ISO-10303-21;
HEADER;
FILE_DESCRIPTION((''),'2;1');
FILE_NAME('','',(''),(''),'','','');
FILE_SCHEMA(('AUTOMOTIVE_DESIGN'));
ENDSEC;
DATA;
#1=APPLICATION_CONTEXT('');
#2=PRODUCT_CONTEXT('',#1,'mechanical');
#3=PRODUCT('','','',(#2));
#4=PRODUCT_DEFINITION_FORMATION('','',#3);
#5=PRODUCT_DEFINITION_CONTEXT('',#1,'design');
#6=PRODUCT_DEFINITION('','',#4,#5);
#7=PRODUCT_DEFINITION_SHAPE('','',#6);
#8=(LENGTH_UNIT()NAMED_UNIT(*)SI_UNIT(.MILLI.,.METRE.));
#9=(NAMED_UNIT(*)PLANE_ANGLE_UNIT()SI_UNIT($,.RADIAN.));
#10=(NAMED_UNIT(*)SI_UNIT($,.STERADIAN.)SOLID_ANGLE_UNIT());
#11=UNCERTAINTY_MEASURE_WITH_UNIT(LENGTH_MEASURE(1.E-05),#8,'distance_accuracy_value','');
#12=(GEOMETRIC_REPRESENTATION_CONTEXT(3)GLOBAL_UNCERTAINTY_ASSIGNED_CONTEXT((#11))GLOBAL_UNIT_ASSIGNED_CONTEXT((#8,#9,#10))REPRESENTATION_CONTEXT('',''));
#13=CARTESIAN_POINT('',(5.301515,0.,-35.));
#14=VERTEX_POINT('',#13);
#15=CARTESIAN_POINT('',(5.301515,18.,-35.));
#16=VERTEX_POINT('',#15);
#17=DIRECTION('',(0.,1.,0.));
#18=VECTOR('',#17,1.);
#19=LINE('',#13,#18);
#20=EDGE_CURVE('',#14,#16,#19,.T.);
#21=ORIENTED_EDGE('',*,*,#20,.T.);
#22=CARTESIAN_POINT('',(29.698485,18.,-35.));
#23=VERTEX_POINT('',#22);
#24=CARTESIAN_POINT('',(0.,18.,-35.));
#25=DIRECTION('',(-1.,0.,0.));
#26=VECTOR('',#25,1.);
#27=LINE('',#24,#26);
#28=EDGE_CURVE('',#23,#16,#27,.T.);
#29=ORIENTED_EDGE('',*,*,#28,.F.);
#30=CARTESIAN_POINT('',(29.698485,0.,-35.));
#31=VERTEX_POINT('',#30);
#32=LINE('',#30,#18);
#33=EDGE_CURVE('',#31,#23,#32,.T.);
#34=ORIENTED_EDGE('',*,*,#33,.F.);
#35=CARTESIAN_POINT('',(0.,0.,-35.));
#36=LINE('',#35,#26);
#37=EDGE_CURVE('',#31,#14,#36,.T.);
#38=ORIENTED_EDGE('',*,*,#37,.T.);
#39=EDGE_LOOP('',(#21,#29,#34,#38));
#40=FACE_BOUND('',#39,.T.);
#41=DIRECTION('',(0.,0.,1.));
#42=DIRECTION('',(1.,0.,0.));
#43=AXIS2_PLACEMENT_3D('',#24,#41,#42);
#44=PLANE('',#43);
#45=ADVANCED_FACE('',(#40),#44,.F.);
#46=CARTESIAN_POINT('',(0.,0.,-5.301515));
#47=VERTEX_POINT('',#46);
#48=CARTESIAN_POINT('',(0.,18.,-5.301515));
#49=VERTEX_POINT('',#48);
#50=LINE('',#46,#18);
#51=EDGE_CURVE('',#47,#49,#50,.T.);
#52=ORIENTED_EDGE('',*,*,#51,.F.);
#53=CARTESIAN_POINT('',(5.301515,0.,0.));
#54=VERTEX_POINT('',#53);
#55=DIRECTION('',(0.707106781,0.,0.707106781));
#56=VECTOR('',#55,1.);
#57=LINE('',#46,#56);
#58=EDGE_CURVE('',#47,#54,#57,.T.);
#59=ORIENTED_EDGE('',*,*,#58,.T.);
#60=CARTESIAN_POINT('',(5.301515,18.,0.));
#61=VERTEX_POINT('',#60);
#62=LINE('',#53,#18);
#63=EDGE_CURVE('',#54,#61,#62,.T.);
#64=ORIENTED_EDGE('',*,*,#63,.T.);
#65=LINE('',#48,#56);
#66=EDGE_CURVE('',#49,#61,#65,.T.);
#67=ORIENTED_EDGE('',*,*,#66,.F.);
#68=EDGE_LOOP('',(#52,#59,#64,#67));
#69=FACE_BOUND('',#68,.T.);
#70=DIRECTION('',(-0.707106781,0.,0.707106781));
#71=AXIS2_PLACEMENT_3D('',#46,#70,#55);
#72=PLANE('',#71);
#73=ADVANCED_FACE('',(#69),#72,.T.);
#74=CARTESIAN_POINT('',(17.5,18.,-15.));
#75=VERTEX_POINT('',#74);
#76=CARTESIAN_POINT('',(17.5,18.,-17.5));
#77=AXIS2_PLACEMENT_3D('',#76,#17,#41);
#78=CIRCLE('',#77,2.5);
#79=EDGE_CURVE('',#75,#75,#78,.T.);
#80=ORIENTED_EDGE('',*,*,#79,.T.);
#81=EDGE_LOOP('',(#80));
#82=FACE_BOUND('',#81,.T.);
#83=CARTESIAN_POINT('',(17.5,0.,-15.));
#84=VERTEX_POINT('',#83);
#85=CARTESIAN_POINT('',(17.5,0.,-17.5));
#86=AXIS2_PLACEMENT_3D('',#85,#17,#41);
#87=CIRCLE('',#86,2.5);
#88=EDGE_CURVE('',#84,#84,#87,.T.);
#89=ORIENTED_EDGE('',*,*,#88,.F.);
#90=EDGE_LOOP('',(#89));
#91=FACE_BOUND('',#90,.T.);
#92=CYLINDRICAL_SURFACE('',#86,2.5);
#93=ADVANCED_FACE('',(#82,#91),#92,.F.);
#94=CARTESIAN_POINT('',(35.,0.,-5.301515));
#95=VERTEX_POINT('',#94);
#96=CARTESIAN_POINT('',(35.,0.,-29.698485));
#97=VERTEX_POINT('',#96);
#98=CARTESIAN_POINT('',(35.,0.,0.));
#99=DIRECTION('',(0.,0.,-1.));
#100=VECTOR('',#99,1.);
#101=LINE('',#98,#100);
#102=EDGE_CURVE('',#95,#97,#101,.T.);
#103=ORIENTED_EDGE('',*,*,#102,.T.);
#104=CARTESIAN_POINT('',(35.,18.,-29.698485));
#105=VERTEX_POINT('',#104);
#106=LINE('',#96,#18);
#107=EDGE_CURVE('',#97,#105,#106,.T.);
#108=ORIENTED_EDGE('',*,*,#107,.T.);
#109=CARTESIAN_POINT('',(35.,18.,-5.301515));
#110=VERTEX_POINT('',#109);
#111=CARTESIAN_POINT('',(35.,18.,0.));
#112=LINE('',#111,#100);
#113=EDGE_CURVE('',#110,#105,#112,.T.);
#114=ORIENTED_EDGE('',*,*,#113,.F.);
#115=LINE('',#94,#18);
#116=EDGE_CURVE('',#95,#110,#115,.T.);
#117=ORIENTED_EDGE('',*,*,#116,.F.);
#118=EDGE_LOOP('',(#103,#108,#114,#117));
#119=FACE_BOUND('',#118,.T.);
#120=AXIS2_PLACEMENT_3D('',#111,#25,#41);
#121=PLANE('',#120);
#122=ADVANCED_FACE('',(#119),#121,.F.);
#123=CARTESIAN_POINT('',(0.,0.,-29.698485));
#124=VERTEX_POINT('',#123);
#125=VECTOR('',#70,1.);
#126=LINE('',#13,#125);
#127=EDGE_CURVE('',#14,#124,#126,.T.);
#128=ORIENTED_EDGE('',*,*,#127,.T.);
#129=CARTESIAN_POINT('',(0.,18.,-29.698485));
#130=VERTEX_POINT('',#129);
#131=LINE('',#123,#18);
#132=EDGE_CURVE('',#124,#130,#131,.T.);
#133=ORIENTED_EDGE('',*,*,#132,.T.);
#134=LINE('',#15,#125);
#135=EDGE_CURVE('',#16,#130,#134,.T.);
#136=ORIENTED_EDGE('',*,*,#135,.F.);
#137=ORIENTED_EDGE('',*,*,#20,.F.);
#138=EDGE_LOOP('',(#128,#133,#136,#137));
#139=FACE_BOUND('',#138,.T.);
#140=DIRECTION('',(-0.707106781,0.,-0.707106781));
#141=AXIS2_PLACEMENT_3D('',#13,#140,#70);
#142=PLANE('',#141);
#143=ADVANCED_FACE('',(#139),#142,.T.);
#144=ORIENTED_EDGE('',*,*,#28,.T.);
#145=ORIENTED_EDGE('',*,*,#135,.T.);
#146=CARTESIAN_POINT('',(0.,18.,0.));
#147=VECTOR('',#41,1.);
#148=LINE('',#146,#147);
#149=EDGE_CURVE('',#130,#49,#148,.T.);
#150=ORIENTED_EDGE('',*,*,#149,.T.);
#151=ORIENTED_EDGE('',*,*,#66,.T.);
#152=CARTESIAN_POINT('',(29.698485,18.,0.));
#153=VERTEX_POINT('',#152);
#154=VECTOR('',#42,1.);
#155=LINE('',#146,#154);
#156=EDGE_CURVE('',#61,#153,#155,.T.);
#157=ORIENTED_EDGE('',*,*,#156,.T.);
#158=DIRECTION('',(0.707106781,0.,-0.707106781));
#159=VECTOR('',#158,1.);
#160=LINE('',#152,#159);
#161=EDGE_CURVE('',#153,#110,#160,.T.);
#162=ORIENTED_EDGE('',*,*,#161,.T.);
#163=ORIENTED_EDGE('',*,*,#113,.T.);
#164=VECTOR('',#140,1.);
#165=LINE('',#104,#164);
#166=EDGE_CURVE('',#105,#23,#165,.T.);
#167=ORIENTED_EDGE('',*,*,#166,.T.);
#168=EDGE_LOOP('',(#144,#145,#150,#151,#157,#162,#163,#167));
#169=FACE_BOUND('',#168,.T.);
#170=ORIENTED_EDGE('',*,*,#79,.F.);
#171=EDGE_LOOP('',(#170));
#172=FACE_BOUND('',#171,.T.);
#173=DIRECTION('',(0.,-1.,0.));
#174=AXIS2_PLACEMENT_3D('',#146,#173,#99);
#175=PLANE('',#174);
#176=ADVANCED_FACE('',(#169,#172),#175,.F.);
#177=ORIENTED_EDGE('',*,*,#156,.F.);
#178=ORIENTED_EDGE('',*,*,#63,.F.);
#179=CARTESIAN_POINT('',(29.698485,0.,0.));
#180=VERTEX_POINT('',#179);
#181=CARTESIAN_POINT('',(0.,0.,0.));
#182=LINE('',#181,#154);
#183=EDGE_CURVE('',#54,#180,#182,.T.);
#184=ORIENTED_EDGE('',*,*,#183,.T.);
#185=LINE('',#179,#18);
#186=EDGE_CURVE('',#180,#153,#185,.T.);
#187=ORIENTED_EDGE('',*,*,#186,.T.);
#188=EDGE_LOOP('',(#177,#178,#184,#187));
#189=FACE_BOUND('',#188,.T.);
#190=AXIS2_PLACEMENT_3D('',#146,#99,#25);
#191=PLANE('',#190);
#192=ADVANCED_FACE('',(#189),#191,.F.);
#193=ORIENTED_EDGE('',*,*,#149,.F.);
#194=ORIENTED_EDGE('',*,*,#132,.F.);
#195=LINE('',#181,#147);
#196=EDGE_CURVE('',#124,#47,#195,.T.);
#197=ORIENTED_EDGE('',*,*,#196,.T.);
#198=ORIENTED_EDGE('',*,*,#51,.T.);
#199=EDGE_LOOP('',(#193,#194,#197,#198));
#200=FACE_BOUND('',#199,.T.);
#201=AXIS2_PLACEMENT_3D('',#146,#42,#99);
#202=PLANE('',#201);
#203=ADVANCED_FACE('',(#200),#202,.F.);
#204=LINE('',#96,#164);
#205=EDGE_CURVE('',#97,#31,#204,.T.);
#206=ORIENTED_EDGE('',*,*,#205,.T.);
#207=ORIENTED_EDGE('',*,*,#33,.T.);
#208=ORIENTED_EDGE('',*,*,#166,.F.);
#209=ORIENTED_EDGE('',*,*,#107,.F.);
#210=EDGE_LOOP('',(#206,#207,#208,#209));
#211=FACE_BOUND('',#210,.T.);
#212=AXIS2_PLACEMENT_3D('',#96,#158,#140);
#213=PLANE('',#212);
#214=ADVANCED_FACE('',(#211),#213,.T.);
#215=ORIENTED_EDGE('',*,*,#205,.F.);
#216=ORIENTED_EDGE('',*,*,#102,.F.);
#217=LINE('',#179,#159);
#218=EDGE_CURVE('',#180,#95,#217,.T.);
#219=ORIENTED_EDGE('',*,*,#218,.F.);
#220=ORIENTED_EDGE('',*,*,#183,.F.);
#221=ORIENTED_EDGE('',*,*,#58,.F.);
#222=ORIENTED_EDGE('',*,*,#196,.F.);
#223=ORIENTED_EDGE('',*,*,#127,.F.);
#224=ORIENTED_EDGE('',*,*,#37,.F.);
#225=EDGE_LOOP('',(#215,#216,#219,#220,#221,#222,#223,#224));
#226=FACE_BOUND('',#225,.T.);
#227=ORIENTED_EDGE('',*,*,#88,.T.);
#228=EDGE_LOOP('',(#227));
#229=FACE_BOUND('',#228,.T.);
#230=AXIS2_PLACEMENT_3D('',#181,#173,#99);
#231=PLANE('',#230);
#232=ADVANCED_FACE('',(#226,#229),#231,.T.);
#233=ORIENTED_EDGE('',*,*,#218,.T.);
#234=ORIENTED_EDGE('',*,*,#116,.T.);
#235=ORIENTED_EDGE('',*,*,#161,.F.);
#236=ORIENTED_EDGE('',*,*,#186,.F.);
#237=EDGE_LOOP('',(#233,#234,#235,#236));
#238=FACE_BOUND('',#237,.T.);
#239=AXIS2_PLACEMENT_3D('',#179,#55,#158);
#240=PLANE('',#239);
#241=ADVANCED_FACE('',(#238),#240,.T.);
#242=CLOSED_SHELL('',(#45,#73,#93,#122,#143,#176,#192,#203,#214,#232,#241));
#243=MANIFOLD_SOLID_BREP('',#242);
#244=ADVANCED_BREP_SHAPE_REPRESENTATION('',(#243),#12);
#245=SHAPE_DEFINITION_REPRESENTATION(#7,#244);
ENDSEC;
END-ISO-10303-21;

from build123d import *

# Parameters (mm, degrees)
CROQUIS1_W              = 35
CROQUIS1_H              = 35
SALIENTE_EXTRUIR1_DEPTH = 18
CROQUIS2_OUTSIDE_W      = 47.534
CROQUIS2_OUTSIDE_H      = 47.534
CORTAR_EXTRUIR2_DEPTH   = 18
CROQUIS3_R              = 2.5
CORTAR_EXTRUIR3_DEPTH   = 19


with BuildPart() as part:
    # Croquis1 → Saliente-Extruir1 (new body)
    with BuildSketch(Plane(origin=(0, 0, 0), x_dir=(1, 0, 0), z_dir=(0, 1, 0))):
        with Locations((17.5, 17.5)):
            Rectangle(CROQUIS1_W, CROQUIS1_H)
    extrude(amount=SALIENTE_EXTRUIR1_DEPTH)

    # Croquis2 outside → Cortar-Extruir2 (cut)
    with BuildSketch(Plane(origin=(0, 18, 0), x_dir=(1, 0, 0), z_dir=(0, 1, 0))):
        with Locations((17.5, 17.5)):
            Rectangle(CROQUIS2_OUTSIDE_W, CROQUIS2_OUTSIDE_H)
        Polygon((5.30151519, 35), (0, 29.69848481), (0, 5.30151519), (5.30151519, 0), (29.69848481, 0), (35, 5.30151519), (35, 29.69848481), (29.69848481, 35), align=None, mode=Mode.SUBTRACT)
    extrude(amount=-CORTAR_EXTRUIR2_DEPTH, mode=Mode.SUBTRACT)

    # Croquis3 → Cortar-Extruir3 (cut, through all)
    with BuildSketch(Plane(origin=(0, 18, 0), x_dir=(1, 0, 0), z_dir=(0, 1, 0))):
        with Locations((17.5, 17.5)):
            Circle(CROQUIS3_R)
    extrude(amount=-CORTAR_EXTRUIR3_DEPTH, mode=Mode.SUBTRACT)


solid = part.part
